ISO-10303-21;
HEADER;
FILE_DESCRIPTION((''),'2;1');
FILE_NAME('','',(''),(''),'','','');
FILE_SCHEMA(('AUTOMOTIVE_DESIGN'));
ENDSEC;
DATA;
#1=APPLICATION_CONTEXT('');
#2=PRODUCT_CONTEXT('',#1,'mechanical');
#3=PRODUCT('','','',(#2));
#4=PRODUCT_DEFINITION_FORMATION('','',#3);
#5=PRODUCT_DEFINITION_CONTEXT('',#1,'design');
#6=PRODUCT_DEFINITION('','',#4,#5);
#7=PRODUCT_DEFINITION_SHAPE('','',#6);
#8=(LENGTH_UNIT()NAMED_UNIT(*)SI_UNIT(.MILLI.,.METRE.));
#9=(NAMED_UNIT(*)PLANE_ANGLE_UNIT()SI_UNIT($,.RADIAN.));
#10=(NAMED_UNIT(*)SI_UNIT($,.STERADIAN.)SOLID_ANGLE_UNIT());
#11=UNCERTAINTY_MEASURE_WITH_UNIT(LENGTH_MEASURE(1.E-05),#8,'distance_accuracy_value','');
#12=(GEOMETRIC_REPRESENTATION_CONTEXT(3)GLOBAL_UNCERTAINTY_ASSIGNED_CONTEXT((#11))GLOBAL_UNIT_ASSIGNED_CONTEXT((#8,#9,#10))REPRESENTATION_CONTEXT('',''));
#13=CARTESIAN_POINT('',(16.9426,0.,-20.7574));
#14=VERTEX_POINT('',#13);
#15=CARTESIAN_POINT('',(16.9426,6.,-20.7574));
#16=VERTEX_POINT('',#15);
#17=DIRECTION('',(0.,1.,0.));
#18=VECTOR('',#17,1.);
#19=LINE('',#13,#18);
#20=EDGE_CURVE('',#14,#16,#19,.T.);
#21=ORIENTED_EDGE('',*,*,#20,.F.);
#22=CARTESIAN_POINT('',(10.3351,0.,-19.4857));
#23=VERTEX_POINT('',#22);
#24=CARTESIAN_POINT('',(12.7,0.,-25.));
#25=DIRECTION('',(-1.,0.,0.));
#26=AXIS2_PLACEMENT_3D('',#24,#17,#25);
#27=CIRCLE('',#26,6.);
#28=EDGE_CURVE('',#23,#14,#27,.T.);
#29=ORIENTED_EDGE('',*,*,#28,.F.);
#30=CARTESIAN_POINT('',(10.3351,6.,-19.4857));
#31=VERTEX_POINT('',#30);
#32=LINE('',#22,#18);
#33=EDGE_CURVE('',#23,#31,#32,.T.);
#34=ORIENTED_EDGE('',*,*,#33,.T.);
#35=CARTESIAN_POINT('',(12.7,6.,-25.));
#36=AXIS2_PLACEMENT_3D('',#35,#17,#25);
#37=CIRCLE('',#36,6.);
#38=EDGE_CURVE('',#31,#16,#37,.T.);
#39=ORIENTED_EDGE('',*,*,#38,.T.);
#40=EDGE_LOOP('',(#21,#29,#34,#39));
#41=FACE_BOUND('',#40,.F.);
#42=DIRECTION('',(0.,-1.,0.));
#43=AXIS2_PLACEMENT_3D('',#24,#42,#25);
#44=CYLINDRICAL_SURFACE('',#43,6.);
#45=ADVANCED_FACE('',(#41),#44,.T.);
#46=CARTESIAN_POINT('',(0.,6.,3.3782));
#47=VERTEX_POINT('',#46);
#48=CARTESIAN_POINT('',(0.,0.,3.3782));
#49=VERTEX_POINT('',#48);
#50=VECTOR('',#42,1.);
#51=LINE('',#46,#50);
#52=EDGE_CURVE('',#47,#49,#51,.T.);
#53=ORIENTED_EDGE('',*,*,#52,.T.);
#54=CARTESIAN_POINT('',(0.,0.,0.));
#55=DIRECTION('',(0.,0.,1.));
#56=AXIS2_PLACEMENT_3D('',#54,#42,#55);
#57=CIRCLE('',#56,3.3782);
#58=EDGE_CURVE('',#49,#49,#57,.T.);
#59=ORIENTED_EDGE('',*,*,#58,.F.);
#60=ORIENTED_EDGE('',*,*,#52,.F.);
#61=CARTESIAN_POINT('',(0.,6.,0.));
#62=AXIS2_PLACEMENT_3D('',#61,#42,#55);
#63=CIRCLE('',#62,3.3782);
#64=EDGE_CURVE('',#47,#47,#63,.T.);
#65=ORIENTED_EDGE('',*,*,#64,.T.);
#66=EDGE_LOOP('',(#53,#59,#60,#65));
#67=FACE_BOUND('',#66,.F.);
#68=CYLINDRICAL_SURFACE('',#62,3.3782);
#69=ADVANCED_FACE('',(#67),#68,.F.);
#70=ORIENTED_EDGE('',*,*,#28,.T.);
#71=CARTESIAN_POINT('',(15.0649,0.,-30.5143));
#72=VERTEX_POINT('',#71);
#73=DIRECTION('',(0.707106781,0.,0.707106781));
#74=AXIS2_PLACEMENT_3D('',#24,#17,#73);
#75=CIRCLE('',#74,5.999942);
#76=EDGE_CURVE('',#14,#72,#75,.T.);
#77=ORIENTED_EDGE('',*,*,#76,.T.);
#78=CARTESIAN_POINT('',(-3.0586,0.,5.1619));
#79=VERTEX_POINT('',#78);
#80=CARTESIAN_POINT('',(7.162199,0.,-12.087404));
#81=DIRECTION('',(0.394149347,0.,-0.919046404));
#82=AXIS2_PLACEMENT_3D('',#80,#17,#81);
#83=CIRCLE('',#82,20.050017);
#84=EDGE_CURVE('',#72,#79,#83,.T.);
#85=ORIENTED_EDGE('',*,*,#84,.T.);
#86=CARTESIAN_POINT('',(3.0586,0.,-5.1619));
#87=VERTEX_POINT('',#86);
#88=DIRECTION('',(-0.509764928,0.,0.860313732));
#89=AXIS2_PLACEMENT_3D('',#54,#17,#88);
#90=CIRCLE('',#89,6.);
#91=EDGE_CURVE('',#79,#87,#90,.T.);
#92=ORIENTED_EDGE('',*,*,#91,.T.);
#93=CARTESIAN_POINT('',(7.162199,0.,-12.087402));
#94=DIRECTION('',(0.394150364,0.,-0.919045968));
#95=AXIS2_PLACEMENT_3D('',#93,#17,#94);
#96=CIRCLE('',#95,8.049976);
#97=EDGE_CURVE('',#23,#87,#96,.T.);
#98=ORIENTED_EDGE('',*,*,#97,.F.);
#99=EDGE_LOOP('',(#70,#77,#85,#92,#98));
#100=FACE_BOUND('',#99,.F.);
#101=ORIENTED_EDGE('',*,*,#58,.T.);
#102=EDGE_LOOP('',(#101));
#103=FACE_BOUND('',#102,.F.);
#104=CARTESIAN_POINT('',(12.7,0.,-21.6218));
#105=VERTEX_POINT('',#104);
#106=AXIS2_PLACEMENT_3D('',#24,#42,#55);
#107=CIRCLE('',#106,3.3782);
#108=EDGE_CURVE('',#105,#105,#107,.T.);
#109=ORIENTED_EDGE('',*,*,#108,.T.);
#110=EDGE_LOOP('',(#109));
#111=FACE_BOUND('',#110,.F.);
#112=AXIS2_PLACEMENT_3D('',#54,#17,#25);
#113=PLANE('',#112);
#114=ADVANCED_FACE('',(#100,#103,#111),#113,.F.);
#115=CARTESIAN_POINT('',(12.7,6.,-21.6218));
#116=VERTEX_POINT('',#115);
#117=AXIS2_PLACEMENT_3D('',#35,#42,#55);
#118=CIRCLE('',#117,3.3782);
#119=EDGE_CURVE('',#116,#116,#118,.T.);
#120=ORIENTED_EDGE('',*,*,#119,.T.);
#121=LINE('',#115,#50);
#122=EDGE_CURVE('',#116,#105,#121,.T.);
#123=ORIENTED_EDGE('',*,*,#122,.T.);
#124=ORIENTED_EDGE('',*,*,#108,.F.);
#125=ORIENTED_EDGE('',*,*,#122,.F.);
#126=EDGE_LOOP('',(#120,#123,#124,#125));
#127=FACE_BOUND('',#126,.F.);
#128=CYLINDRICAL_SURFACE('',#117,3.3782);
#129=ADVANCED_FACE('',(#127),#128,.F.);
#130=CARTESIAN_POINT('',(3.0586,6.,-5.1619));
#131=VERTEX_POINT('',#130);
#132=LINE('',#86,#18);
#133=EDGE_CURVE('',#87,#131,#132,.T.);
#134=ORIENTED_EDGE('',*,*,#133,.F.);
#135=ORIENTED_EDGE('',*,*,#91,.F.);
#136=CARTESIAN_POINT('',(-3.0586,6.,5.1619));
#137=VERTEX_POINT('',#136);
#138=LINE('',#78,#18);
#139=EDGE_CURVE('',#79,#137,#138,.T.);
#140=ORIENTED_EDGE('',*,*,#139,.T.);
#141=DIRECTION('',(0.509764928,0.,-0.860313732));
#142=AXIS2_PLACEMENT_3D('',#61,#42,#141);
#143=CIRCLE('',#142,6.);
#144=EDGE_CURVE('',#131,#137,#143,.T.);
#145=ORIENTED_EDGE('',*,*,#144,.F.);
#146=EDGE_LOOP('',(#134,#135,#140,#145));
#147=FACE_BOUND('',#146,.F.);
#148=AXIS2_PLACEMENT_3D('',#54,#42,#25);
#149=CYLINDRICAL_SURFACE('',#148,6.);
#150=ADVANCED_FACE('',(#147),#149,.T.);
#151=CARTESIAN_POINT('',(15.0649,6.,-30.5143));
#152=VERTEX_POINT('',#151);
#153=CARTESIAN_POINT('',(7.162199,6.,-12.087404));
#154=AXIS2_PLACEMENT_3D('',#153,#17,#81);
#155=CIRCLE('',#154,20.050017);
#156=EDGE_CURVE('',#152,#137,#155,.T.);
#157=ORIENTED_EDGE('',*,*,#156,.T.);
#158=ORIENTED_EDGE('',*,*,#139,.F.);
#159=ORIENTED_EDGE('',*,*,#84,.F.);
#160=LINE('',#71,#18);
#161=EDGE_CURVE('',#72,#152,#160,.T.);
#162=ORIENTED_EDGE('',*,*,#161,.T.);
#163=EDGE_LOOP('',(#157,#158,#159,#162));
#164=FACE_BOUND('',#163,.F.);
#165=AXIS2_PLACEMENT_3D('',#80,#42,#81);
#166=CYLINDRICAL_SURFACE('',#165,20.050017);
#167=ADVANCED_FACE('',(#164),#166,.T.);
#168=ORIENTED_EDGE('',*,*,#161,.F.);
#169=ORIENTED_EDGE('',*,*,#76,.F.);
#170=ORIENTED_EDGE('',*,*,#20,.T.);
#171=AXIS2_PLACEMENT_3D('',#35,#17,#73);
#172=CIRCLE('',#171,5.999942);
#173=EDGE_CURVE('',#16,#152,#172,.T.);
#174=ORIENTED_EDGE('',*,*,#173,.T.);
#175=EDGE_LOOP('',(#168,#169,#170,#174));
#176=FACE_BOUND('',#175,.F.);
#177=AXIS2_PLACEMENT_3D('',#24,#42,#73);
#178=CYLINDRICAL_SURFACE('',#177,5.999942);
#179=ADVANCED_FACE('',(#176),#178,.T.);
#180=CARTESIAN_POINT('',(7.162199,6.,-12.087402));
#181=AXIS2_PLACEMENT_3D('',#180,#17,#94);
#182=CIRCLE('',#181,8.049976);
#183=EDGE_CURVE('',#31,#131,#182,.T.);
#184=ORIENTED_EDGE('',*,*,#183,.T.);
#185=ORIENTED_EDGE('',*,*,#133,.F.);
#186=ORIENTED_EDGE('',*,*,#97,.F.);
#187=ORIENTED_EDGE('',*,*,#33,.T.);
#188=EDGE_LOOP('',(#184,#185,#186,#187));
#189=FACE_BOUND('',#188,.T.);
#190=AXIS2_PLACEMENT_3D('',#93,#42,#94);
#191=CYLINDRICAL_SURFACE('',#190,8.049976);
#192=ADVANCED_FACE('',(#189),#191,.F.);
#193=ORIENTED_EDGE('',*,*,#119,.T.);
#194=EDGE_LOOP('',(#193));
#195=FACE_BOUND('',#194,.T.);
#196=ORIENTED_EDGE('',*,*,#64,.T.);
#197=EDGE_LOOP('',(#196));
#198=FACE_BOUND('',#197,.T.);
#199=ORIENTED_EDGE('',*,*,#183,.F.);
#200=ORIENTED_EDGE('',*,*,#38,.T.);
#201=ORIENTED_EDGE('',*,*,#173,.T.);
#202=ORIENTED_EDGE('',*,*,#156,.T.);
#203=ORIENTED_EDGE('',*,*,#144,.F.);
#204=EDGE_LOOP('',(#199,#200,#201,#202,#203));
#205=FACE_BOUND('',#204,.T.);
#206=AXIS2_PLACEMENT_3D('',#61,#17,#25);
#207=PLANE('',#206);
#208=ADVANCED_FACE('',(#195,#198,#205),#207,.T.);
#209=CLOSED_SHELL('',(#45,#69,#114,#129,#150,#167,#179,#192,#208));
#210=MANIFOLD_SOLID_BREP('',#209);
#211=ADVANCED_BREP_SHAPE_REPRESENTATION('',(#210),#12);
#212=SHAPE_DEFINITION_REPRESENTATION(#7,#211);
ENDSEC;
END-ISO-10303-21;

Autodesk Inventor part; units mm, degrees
ref_plane "YZ Plane" through (0, 0, 0) normal (1, 0, 0) x (0, 1, 0)
ref_plane "XZ Plane" through (0, 0, 0) normal (0, 1, 0) x (-1, 0, 0)
ref_plane "XY Plane" through (0, 0, 0) normal (0, 0, 1) x (1, 0, 0)
sketch "Sketch1" plane through (0, 0, 0) normal (0, 1, 0) x (-1, 0, 0)
  arc A0 (6, 0) -> (-6, 0) centre (0, 0) ccw
  line L0 (6, 0) -> (6, -12.3)
  line L1 (4.2426, -16.5426) -> (-8.4574, -29.2426)
  line L2 (-16.9426, -20.7574) -> (-6, -9.8147)
  line L3 (-6, -9.8147) -> (-6, 0)
  arc A1 (-16.9426, -20.7574) -> (-8.4574, -29.2426) centre (-12.7, -25) ccw
  arc A2 (4.2426, -16.5426) -> (6, -12.3) centre (0, -12.3) ccw
  line L4 (0, 0) -> (-12.7, -25) construction
  circle A3 centre (0, 0) radius 6
  circle A4 centre (-12.7, -25) radius 6
  arc A5 (-10.3351, -19.4857) -> (-3.0586, -5.1619) centre (-7.1622, -12.0874) ccw
  arc A6 (-15.0649, -30.5143) -> (3.0586, 5.1619) centre (-7.1622, -12.0874) ccw
  point P0 (6, -14.7853)
  point P1 (-16.9426, -20.7574)
  point P2 (-15.0649, -30.5143)
  point P3 (3.0586, 5.1619)
  point P4 (-6, 0)
  dimension "d0" = 12
  dimension "d1" = 12.7
  dimension "d2" = 25
  dimension "d3" = 135
  dimension "d6" = 6
  dimension "d17" = 8.05
extrude "Extrusion1" add sketch "Sketch1" along normal blind 6 contours A3 A0 | A0 A6 A1 L1 A2 L0 | L0 A2 L1 A4 A5 A3 | A1 A4
sketch "Sketch2" plane through (0, 6, 0) normal (0, 1, 0) x (1, 0, 0)
  arc A0 (10.3351, 19.4857) -> (15.0649, 30.5143) centre (12.7, 25) ccw projected
  point P0 (0, 0)
  point P1 (16.9426, 20.7574)
  point P2 (8.4574, 29.2426)
hole "Hole1" at (0, 6, 0) at (12.7, 6, -25) direction (0, -1, 0) diameter 6.7564 depth 12.7 tip angle 118 clearance for "Flat Head Machine Screw (82)" size "1/4" standard "Ansi Unified Screw Threads"
properties part number "Tensioner2"
